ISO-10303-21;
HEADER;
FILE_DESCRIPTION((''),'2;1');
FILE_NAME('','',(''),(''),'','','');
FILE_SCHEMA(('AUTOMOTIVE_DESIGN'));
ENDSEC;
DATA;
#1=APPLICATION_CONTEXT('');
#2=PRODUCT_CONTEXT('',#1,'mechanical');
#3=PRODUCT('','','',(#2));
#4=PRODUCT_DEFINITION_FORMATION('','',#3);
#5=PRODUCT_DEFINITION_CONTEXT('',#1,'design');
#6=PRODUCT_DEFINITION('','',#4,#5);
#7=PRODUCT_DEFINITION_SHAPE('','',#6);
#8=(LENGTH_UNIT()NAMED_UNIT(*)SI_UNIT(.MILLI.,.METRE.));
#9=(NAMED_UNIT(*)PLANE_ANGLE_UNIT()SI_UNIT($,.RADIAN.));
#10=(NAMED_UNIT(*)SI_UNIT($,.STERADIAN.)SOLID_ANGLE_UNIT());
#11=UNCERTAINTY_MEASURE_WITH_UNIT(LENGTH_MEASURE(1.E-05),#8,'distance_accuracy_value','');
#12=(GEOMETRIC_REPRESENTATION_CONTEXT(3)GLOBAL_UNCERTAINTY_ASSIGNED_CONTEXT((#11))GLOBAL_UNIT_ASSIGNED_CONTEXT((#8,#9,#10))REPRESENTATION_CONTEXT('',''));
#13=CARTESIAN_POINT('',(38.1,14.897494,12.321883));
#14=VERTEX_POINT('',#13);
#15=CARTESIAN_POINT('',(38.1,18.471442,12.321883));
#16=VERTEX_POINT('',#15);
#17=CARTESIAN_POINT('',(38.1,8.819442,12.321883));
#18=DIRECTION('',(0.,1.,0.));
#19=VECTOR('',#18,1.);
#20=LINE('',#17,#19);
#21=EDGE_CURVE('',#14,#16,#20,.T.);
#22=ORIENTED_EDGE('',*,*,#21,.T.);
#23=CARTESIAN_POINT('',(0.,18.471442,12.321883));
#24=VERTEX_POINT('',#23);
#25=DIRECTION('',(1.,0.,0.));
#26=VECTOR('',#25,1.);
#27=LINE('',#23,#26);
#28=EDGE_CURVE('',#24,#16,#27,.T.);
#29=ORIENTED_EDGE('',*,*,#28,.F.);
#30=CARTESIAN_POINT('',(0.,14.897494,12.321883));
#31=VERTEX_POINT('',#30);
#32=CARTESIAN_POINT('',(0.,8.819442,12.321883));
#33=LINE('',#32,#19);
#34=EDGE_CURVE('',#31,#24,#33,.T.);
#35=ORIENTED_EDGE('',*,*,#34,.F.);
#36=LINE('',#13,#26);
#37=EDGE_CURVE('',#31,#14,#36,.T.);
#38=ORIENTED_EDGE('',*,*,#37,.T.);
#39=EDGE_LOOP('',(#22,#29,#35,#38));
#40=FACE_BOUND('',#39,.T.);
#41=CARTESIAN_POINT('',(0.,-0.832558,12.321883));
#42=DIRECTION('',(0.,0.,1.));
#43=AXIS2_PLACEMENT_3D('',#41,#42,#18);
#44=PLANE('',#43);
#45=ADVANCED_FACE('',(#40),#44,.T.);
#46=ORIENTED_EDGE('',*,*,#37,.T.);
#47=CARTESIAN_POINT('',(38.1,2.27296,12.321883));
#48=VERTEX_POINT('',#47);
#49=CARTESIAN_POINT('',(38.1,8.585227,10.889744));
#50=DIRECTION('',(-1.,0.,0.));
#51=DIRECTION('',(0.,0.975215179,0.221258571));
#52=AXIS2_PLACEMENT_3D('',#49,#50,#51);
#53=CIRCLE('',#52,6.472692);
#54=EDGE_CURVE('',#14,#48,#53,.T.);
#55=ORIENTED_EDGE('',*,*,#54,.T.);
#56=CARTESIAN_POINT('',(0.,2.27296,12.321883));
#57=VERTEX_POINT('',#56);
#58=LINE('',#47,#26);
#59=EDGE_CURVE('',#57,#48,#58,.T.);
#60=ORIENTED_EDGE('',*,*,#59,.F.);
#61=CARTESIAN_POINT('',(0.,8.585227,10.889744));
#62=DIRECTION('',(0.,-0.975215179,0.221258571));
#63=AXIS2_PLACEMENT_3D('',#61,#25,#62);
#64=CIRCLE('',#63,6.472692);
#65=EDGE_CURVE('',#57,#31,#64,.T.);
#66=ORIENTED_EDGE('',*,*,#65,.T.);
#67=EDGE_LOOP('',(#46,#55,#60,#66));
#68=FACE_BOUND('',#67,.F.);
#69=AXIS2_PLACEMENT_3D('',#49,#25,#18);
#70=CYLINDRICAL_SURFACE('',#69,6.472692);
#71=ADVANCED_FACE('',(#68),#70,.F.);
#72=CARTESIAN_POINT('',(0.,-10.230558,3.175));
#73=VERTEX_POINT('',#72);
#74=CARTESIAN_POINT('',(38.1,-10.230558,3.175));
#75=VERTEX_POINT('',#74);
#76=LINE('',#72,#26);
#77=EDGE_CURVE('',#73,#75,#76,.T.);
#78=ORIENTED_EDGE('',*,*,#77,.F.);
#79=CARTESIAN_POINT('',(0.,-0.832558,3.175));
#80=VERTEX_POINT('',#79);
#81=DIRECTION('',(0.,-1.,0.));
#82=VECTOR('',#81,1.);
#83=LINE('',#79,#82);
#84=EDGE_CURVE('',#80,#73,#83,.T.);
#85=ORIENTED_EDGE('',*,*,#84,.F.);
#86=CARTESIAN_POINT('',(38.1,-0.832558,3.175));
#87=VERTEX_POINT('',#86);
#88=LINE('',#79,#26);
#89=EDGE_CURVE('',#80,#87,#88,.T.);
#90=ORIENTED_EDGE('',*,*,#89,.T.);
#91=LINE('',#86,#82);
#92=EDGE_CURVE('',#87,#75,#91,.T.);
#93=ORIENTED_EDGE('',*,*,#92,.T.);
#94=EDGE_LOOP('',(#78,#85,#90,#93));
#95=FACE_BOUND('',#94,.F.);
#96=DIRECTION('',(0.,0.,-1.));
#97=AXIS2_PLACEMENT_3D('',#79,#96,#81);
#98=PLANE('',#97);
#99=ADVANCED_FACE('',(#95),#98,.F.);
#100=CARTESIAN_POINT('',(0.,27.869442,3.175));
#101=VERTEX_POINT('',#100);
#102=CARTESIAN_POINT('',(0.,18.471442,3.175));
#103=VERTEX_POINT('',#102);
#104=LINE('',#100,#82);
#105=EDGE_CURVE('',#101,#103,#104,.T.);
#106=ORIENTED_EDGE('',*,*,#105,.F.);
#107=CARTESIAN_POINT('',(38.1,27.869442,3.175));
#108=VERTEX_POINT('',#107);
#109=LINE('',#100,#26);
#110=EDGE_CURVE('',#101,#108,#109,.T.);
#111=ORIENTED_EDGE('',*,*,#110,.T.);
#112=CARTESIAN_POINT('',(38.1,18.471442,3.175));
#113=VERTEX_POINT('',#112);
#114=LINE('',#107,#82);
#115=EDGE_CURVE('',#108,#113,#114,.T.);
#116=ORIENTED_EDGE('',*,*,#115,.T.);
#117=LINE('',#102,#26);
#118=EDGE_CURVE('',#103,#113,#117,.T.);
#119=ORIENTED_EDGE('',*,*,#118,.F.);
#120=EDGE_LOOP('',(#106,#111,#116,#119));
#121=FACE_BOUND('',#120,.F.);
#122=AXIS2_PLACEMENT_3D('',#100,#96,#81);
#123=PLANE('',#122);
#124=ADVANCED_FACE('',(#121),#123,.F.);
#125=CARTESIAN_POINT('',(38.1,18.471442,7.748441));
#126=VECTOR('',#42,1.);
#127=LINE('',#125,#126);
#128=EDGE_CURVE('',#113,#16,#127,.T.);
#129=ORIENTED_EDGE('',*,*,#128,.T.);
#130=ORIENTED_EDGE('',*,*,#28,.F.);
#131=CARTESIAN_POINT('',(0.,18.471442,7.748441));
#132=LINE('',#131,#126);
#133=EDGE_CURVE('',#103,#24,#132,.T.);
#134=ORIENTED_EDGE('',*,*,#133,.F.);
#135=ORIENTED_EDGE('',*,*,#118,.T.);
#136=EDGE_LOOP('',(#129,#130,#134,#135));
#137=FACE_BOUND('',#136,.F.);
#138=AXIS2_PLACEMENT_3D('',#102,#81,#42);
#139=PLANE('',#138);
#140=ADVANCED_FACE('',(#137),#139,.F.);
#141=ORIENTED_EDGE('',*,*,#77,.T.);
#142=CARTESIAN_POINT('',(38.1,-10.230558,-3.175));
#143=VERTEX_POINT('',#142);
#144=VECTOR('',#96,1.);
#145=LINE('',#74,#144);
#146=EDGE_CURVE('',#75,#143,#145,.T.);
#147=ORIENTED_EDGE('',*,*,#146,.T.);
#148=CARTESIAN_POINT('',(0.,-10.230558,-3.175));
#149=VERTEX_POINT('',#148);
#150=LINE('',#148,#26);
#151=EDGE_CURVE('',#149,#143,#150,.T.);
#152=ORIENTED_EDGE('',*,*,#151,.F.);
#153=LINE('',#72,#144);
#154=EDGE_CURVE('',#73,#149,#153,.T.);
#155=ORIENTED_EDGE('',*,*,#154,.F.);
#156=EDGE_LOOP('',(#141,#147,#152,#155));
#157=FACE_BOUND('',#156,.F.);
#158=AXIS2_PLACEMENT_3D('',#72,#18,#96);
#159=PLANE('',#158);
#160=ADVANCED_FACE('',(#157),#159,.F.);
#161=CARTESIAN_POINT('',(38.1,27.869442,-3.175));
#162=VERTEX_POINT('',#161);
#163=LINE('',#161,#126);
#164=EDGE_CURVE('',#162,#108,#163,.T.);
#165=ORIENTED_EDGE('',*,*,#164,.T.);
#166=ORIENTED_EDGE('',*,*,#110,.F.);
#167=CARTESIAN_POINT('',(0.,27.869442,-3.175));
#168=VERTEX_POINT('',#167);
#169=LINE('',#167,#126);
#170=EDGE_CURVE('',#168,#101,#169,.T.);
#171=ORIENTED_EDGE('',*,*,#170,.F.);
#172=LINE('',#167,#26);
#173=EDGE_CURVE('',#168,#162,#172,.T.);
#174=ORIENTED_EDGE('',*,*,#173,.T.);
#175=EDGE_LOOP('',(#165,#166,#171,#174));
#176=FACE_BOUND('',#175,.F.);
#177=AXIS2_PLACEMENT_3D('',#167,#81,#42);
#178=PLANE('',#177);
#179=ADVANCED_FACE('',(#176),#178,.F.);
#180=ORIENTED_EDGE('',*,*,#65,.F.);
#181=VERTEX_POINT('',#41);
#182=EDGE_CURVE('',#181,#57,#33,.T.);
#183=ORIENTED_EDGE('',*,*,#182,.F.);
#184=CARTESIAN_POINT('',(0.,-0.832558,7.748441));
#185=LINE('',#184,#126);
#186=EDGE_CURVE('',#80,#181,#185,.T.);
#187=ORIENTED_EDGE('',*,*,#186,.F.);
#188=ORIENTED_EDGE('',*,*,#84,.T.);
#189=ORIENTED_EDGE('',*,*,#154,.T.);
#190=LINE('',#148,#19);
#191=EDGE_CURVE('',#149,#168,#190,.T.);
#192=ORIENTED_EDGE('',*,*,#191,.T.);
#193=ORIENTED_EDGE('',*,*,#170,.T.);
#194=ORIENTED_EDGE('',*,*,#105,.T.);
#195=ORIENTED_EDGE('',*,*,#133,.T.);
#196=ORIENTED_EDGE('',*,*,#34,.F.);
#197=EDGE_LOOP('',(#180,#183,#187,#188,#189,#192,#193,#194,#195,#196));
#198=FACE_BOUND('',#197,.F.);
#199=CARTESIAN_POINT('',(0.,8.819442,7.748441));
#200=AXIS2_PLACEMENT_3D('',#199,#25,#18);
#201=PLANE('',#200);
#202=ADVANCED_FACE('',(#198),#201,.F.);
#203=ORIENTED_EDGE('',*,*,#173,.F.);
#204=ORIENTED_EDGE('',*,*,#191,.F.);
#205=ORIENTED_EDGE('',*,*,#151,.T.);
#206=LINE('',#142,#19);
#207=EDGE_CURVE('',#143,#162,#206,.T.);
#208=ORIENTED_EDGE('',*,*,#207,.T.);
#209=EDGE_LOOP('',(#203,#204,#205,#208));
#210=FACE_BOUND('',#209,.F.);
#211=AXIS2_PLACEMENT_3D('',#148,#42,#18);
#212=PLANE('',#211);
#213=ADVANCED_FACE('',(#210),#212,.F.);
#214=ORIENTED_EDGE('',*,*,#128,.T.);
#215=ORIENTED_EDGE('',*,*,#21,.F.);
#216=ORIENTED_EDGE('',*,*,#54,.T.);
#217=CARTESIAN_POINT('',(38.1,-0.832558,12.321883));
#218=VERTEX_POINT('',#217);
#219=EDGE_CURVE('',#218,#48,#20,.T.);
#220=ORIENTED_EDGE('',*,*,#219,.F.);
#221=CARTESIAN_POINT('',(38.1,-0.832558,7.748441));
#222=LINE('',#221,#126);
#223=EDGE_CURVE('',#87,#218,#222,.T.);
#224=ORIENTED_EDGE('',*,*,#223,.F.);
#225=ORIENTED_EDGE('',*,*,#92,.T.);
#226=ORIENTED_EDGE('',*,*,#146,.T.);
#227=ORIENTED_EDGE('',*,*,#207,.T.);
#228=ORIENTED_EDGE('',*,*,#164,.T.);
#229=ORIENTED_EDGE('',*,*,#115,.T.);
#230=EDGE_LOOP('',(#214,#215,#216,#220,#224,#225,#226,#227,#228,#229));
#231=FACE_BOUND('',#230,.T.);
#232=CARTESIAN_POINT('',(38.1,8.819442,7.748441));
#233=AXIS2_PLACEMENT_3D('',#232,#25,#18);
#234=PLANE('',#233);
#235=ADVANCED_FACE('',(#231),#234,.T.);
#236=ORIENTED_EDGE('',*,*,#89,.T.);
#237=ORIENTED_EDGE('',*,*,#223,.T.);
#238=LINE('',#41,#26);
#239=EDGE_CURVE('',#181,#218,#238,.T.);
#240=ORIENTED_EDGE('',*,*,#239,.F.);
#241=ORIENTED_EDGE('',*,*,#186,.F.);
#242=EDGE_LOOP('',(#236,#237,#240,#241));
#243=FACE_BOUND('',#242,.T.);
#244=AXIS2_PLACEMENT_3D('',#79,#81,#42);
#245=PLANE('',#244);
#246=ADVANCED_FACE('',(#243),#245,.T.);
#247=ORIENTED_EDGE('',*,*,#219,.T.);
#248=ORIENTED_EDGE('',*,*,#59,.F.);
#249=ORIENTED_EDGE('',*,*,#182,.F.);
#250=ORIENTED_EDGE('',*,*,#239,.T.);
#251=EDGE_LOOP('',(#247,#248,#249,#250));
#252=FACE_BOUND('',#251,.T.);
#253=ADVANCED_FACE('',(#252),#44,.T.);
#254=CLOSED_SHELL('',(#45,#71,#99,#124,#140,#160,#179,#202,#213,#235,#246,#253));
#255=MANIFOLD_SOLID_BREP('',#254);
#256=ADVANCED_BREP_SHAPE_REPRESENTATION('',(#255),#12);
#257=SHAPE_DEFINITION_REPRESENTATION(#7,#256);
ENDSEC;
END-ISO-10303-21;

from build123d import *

# Parameters (mm, degrees)
F0_W     = 19.304
F0_H     = 9.1468828812
F1_DEPTH = 38.1
F2_R     = 6.4726915954
F3_DEPTH = 38.1


with BuildPart() as f1:
    # F0 (on Right) → F1 (new body)
    with BuildSketch(Plane.YZ):
        with Locations((8.8194421337, 7.7484414406)):
            Rectangle(F0_W, F0_H)
        Polygon((-10.2305578663, -3.175), (27.8694421337, -3.175), (27.8694421337, 3.175), (18.4714421337, 3.175), (-0.8325578663, 3.175), (-10.2305578663, 3.175), align=None)
    extrude(amount=F1_DEPTH)

    # F2 (on face) → F3 (cut)
    with BuildSketch(Plane.YZ.offset(38.1)):
        with Locations((8.5852267221, 10.8897443861)):
            Circle(F2_R)
    extrude(amount=-F3_DEPTH, mode=Mode.SUBTRACT)


solid = f1.part
